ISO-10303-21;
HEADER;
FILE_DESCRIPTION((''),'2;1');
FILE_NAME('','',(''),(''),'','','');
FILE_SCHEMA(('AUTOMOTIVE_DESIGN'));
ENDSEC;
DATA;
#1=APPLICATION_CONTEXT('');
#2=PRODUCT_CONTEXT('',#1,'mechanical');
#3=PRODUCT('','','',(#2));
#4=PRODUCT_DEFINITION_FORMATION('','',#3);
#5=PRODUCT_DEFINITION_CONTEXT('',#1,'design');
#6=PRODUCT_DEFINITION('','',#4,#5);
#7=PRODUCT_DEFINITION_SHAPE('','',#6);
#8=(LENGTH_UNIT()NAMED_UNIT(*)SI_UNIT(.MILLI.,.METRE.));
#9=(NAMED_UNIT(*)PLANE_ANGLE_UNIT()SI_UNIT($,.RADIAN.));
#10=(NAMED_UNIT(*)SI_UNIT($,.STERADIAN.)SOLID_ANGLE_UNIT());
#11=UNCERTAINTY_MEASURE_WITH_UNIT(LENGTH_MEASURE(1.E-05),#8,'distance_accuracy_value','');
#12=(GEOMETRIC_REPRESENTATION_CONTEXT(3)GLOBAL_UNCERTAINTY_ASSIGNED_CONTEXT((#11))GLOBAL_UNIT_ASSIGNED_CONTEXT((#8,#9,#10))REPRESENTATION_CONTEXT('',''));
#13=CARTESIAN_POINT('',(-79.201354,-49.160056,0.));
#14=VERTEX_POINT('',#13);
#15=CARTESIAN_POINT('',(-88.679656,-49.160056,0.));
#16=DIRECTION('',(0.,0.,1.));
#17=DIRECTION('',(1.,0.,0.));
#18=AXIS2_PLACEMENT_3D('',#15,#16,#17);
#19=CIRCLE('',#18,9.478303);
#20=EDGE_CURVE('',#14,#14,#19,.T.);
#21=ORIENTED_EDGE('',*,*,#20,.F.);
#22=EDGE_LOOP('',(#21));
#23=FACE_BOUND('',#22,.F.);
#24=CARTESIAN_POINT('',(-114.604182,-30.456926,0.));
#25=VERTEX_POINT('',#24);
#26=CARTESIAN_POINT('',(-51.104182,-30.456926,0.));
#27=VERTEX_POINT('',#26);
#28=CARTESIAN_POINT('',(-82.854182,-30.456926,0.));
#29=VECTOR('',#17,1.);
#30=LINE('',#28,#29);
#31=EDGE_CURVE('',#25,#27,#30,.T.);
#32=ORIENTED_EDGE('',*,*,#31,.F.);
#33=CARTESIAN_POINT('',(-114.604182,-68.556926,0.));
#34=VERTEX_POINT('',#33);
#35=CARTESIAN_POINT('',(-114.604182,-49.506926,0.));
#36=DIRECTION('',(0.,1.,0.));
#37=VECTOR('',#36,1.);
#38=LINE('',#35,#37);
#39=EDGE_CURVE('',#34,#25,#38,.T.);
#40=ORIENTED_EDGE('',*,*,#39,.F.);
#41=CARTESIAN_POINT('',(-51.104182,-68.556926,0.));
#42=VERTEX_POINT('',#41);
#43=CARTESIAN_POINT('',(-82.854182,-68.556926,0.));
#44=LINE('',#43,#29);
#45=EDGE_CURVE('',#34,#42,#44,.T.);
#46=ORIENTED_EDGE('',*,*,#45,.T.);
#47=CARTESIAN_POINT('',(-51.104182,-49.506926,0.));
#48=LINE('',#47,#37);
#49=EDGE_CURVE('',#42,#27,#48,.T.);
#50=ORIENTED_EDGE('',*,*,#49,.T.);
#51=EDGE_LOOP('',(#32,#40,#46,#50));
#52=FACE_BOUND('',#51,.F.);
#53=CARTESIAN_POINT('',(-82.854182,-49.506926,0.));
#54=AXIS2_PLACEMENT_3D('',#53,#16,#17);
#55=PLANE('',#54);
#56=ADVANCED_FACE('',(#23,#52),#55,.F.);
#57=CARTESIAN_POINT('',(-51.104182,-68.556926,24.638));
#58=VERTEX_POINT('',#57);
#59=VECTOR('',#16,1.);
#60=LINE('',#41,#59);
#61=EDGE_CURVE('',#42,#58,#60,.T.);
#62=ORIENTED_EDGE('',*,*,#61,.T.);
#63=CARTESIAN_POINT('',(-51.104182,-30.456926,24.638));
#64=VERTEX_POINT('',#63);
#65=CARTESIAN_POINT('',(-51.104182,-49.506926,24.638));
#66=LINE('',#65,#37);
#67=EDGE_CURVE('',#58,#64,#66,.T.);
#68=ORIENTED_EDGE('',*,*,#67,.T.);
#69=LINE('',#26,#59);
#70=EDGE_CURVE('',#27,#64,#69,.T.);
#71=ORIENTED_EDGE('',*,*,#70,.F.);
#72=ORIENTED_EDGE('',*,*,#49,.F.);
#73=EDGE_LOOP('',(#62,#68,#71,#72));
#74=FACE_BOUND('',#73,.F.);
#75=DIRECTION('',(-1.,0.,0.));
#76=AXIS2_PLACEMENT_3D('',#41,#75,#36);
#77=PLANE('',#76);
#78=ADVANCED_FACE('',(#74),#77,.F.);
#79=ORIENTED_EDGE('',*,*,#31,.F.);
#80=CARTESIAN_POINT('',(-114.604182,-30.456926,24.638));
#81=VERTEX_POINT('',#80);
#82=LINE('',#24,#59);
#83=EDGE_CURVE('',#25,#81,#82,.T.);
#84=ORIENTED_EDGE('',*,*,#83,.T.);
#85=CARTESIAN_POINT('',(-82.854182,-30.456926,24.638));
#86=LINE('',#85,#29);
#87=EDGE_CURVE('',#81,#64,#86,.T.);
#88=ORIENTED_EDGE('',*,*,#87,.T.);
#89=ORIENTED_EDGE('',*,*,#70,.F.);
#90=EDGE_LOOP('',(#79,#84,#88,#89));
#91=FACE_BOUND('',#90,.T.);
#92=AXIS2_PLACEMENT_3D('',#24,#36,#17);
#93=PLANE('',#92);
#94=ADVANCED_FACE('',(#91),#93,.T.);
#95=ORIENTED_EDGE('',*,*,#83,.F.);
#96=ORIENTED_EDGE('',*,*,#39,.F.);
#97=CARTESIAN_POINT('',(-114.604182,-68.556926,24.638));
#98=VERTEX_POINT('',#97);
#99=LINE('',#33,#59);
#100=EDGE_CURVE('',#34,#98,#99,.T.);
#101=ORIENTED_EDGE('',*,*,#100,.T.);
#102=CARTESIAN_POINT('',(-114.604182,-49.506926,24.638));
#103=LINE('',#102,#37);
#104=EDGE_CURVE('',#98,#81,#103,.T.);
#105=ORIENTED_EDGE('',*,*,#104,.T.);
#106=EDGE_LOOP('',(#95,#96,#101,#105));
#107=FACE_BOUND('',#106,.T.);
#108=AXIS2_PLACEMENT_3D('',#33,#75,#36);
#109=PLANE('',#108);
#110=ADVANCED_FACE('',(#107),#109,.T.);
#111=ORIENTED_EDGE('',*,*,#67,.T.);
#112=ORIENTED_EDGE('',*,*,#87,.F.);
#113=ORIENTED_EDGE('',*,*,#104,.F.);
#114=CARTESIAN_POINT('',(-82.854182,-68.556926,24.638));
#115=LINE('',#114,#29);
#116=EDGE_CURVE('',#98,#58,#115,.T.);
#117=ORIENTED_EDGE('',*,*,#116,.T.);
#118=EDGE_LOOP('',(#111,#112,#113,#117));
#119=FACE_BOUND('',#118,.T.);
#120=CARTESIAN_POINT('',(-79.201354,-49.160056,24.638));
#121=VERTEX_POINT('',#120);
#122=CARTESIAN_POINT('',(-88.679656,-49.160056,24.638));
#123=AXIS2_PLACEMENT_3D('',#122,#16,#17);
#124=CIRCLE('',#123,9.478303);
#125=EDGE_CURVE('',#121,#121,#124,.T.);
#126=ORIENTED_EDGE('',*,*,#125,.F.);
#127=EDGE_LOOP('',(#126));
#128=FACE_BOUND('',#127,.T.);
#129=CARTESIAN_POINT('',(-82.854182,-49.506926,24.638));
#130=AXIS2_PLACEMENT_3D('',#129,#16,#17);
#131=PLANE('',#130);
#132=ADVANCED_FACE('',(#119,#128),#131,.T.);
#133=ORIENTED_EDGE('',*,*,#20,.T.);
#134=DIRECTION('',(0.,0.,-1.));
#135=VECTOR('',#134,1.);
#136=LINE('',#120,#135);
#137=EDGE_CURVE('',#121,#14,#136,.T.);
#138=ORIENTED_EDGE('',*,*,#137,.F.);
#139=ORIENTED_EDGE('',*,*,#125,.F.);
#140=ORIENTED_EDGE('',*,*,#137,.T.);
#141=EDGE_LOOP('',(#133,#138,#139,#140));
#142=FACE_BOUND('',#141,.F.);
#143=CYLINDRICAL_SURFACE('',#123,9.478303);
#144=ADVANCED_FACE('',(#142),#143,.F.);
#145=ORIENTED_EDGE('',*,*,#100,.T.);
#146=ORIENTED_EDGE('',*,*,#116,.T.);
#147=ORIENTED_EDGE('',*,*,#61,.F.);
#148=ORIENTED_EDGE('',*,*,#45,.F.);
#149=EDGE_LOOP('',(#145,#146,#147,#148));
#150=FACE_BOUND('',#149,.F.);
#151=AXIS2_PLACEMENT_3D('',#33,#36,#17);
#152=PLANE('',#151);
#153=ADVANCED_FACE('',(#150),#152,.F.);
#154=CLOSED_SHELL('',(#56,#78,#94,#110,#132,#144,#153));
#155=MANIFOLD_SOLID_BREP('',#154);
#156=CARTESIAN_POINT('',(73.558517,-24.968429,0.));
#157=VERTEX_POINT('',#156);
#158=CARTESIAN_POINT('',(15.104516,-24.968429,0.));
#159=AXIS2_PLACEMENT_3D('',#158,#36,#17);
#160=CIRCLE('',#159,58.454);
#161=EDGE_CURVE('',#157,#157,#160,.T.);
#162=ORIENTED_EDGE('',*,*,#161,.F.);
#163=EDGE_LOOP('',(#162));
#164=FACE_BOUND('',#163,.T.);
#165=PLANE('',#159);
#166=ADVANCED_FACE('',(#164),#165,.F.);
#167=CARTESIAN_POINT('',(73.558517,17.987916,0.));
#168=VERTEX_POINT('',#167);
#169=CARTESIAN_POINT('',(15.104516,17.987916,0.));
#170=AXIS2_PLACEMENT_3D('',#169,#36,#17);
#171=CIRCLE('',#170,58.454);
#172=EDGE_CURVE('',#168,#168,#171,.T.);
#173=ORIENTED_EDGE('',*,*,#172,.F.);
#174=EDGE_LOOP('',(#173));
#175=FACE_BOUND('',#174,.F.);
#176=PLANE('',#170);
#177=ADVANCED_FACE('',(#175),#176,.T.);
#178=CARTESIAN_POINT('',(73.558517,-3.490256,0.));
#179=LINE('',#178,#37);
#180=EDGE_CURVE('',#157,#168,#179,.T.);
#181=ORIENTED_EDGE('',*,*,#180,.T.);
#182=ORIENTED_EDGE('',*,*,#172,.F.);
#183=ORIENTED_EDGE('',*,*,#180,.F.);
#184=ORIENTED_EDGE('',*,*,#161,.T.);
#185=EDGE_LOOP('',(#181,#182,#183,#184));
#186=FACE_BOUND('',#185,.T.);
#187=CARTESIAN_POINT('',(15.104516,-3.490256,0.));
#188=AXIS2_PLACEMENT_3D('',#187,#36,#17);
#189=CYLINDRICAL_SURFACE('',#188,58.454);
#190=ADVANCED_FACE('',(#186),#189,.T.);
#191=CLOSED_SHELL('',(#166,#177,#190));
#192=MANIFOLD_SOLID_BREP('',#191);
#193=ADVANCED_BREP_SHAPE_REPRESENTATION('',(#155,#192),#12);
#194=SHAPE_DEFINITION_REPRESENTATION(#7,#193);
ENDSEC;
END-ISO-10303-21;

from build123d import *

# Parameters (mm, degrees)
F0_W     = 58.4540003911
F0_H     = 42.9563447833
F2_W     = 63.5
F2_H     = 38.1
F3_DEPTH = 24.638
F4_R     = 9.4783028177
F5_DEPTH = 72.136


with BuildPart() as f1:
    # F0 (on Top) → F1 (revolve)
    with BuildSketch(Plane.XY):
        with Locations((44.3315166049, -3.4902561456)):
            Rectangle(F0_W, F0_H)
    revolve(axis=Axis((15.1045164093, -3.4902561456, 0), (0, 1, 0)))


with BuildPart() as f3:
    # F2 (on Top) → F3 (new body)
    with BuildSketch(Plane.XY):
        with Locations((-82.8541815281, -49.5069261576)):
            Rectangle(F2_W, F2_H)
    extrude(amount=F3_DEPTH)

    # F4 (on face) → F5 (cut)
    with BuildSketch(Plane.XY.offset(24.638)):
        with Locations((-88.6796563864, -49.1600558162)):
            Circle(F4_R)
    extrude(amount=-F5_DEPTH, mode=Mode.SUBTRACT)


solid = Compound([f1.part, f3.part])
